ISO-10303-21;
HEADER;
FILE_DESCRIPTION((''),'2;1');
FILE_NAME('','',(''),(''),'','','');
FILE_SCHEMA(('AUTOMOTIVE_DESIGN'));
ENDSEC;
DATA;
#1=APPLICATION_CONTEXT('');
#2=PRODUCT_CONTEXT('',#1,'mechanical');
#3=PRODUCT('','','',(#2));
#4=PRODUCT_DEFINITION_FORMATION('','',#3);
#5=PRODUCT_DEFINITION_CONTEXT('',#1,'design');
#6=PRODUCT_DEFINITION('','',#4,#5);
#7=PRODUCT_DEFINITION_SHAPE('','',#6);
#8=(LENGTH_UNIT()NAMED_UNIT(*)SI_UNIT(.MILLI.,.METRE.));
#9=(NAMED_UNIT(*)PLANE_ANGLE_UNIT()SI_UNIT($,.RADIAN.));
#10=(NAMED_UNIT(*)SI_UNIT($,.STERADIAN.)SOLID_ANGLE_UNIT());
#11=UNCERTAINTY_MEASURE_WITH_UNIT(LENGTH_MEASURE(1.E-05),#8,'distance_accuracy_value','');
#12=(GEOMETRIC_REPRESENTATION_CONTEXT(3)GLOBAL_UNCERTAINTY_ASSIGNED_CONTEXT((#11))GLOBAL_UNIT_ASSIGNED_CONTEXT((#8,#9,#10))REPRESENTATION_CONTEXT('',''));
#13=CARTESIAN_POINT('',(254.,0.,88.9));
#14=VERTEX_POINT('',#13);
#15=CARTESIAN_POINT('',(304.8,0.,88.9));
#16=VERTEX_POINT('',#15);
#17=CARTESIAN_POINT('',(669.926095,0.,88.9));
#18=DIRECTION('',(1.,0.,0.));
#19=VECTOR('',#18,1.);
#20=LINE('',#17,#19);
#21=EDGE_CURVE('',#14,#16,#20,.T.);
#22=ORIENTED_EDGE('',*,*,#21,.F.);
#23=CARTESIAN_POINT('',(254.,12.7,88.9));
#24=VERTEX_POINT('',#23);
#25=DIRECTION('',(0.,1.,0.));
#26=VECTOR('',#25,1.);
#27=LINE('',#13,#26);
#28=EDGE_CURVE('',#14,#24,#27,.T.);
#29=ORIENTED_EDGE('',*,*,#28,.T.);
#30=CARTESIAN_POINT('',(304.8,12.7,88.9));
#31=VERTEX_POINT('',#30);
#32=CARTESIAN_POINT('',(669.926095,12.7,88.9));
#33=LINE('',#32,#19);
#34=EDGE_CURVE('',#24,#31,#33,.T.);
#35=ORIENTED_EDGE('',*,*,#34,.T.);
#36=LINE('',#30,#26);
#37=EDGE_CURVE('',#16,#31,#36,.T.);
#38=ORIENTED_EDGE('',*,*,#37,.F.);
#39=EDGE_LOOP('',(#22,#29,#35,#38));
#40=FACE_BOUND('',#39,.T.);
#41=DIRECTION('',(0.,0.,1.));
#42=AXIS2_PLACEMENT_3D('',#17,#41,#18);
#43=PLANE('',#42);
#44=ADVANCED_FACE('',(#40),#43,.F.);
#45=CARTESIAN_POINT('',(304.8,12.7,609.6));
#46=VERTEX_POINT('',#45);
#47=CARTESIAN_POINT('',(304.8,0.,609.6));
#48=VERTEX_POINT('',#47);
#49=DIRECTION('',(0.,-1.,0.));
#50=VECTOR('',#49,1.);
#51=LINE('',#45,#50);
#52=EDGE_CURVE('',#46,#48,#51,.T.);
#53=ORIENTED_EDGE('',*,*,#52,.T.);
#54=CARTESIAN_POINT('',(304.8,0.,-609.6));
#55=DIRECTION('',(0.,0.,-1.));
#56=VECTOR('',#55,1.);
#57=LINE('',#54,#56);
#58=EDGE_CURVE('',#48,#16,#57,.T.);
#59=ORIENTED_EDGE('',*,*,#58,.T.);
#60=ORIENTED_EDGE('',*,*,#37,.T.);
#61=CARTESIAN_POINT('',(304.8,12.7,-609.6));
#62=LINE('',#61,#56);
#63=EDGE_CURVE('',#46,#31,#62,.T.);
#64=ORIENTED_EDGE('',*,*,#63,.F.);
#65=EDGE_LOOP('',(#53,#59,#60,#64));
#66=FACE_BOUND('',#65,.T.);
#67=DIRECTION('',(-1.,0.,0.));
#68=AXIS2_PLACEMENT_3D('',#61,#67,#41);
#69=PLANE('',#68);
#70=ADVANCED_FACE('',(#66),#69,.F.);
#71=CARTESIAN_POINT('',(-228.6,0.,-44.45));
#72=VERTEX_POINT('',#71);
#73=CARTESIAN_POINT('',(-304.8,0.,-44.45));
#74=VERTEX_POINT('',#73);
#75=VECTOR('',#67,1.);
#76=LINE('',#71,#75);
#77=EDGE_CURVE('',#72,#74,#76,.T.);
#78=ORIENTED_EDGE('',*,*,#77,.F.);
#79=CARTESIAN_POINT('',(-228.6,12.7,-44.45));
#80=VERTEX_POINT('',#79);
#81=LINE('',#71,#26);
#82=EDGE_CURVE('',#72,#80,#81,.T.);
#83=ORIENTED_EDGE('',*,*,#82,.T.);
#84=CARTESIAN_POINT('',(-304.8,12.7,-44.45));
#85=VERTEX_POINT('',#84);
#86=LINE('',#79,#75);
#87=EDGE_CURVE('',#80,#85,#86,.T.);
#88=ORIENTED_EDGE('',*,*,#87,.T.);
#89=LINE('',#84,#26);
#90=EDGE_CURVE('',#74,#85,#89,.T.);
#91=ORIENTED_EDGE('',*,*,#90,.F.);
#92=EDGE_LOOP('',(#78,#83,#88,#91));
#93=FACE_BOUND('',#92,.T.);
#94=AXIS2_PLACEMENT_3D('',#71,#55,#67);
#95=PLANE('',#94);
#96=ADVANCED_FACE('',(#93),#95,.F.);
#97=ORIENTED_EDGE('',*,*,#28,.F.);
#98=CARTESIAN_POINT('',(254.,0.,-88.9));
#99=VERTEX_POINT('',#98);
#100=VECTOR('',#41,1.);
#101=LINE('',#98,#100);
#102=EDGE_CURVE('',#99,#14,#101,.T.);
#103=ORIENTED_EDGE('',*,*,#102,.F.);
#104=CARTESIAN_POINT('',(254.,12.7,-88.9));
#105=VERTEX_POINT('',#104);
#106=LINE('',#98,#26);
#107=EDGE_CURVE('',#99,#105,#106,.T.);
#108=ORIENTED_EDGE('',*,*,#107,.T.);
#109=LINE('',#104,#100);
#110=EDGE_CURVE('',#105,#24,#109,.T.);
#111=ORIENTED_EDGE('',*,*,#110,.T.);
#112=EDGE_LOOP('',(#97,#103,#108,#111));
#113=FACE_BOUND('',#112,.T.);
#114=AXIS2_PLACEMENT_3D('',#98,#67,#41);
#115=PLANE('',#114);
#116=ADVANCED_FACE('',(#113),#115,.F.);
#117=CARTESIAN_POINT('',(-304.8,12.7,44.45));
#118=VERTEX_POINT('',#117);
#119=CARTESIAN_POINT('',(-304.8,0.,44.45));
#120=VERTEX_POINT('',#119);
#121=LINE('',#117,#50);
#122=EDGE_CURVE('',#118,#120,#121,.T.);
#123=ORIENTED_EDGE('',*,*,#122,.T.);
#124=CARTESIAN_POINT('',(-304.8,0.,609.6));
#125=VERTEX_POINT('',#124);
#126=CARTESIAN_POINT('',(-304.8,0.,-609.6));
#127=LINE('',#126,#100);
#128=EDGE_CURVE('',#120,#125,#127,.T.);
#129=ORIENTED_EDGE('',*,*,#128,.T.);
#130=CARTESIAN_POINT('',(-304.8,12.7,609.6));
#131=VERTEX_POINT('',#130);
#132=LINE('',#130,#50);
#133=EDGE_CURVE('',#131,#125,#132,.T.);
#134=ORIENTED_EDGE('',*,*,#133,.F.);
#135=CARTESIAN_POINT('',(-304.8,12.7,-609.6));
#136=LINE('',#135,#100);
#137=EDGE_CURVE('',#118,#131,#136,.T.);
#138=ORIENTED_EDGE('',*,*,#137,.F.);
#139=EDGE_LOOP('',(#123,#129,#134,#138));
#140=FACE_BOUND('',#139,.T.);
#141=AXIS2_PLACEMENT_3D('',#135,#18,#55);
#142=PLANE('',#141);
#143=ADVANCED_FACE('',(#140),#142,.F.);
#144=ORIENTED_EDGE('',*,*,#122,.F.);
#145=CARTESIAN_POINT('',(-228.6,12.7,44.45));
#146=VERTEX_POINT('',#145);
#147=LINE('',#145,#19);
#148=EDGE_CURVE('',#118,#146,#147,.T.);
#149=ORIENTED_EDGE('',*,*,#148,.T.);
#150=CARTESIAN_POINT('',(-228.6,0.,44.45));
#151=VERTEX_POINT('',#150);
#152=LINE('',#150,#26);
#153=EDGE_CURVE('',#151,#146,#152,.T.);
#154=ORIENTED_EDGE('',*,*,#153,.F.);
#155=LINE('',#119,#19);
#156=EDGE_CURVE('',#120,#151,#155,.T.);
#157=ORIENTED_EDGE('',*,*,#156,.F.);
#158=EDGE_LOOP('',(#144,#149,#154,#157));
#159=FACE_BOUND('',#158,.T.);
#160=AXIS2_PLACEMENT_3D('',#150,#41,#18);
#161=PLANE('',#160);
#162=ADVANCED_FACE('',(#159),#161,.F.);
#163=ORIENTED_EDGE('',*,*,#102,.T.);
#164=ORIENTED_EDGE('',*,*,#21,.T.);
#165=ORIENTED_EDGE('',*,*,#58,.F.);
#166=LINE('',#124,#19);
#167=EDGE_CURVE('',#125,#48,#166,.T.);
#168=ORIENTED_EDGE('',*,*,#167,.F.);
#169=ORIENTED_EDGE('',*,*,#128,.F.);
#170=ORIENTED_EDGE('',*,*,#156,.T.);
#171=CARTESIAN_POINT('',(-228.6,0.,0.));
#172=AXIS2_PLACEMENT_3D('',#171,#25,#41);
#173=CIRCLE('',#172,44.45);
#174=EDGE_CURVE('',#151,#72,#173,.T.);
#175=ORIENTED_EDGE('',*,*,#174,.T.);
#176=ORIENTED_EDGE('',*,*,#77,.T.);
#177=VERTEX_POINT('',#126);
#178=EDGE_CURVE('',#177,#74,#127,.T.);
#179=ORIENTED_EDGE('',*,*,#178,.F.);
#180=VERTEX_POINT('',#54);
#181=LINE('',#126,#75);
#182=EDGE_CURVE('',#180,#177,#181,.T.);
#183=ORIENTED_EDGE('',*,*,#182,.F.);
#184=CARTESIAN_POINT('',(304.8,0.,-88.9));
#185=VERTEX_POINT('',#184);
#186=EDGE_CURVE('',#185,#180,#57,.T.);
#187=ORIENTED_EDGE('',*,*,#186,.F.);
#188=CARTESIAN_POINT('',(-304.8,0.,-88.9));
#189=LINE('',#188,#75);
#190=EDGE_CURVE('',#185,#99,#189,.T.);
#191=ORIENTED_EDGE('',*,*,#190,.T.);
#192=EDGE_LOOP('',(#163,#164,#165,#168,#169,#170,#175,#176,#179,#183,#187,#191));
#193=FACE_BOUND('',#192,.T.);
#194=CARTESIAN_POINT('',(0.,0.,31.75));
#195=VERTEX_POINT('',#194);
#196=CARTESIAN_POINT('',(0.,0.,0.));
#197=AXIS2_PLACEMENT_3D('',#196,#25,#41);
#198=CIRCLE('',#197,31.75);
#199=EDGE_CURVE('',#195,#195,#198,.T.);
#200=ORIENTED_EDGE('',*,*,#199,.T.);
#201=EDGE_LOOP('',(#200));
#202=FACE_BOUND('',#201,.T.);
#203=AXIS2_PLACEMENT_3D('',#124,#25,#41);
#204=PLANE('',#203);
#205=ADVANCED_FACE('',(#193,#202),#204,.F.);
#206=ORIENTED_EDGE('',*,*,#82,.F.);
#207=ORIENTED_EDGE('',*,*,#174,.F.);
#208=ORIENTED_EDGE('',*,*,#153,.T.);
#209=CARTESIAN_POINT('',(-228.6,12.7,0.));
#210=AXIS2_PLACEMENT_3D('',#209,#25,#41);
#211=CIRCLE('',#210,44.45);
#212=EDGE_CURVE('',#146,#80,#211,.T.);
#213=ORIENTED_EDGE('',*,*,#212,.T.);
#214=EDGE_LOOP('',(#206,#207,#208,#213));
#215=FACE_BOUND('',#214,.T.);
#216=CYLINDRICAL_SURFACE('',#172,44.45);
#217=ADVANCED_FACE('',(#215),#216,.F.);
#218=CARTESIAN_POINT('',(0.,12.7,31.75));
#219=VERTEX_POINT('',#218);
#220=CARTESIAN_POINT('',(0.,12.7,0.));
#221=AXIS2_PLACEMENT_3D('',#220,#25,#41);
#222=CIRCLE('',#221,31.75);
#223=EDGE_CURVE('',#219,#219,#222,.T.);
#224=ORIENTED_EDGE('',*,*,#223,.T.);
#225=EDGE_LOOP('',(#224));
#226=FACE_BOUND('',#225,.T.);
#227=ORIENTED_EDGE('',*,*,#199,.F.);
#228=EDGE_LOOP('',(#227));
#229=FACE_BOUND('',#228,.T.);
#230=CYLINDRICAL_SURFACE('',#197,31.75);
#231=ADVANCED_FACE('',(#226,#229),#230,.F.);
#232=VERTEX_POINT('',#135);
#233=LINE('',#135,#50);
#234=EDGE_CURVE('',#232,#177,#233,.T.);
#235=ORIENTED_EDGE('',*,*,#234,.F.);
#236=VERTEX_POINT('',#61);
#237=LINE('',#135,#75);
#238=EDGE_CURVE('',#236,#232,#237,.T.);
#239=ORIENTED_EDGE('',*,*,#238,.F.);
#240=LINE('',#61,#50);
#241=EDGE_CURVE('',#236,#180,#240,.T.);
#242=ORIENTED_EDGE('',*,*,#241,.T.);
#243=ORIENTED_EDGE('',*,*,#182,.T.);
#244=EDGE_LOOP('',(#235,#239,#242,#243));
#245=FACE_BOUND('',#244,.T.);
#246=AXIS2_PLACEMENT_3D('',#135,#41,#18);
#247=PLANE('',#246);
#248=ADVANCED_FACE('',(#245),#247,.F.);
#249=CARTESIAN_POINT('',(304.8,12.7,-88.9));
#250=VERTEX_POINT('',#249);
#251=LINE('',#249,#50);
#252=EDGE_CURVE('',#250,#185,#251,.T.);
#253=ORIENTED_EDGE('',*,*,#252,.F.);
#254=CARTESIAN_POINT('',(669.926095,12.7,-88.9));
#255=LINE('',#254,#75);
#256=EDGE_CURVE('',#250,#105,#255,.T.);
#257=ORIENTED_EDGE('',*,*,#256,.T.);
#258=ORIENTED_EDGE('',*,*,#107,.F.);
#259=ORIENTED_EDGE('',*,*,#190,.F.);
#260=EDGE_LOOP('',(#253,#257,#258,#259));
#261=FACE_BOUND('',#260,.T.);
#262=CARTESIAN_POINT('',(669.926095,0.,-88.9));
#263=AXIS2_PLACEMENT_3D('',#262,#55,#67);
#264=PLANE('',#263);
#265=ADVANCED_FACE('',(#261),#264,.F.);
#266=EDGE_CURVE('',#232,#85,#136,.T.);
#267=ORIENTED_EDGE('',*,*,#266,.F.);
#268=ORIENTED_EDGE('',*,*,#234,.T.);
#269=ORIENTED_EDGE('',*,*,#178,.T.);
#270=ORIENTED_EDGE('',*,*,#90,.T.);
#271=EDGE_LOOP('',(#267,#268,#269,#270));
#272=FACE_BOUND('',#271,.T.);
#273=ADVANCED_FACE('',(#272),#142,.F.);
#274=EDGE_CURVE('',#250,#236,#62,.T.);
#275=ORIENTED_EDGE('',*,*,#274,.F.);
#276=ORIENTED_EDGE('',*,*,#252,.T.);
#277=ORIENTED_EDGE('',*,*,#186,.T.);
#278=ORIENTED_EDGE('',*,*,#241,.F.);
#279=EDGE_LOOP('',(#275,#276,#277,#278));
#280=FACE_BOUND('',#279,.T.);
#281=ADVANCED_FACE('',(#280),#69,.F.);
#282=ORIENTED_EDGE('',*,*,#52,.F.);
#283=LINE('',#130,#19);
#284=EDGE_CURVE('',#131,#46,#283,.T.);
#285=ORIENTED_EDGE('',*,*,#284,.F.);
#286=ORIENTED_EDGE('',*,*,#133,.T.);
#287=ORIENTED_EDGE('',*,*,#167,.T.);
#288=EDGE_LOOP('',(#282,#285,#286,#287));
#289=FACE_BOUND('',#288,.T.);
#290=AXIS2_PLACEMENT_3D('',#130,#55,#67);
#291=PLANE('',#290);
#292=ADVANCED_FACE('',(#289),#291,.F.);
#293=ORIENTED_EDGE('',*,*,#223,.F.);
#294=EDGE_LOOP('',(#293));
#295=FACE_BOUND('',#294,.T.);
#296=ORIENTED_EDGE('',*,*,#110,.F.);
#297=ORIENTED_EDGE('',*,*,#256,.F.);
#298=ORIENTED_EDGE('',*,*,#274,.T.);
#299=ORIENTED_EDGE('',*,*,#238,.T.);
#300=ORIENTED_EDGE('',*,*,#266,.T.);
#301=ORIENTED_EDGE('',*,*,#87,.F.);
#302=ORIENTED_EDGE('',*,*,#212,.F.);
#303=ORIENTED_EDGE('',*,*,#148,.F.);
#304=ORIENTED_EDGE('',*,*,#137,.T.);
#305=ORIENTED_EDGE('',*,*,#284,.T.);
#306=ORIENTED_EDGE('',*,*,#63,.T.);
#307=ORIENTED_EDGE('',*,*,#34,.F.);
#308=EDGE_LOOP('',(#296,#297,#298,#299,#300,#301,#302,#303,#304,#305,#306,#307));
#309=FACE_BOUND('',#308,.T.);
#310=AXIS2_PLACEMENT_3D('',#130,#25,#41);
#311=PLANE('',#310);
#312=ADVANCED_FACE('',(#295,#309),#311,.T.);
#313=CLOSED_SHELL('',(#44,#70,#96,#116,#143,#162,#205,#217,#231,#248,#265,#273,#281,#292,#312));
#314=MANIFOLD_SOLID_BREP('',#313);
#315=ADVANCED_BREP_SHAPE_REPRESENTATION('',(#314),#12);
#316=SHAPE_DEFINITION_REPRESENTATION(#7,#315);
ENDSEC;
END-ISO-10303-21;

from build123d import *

# Parameters (mm, degrees)
SKETCH1_W           = 609.6
SKETCH1_H           = 1219.2
BOSS_EXTRUDE1_DEPTH = 12.7
SKETCH6_R           = 31.75
CUT_EXTRUDE3_DEPTH  = 682.671834536
SKETCH8_W           = 415.926094716
SKETCH8_H           = 177.8
CUT_EXTRUDE4_DEPTH  = 682.671834536
SKETCH10_W          = 180.418217341
SKETCH10_H          = 88.9
CUT_EXTRUDE7_DEPTH  = 682.671834536
SKETCH14_R          = 44.45
CUT_EXTRUDE8_DEPTH  = 682.671834536


with BuildPart() as part:
    # Sketch1 → Boss-Extrude1 (new body)
    with BuildSketch(Plane(origin=(0, 0, 0), x_dir=(1, 0, 0), z_dir=(0, 1, 0))):
        Rectangle(SKETCH1_W, SKETCH1_H)
    extrude(amount=BOSS_EXTRUDE1_DEPTH)

    # Sketch6 → Cut-Extrude3 (cut, through all)
    with BuildSketch(Plane(origin=(0, 12.7, 0), x_dir=(-1, 0, 0), z_dir=(0, 1, 0))):
        with Locations(Location((0, 0, 0), (0, 0, 90))):
            Circle(SKETCH6_R)
    extrude(amount=-CUT_EXTRUDE3_DEPTH, mode=Mode.SUBTRACT)

    # Sketch8 → Cut-Extrude4 (cut, through all)
    with BuildSketch(Plane(origin=(0, 12.7, 0), x_dir=(1, 0, 0), z_dir=(0, 1, 0))):
        with Locations((461.963047358, 0)):
            Rectangle(SKETCH8_W, SKETCH8_H)
    extrude(amount=-CUT_EXTRUDE4_DEPTH, mode=Mode.SUBTRACT)

    # Sketch10 → Cut-Extrude7 (cut, through all)
    with BuildSketch(Plane(origin=(0, 12.7, 0), x_dir=(1, 0, 0), z_dir=(0, 1, 0))):
        with Locations((-318.80910867, 0)):
            Rectangle(SKETCH10_W, SKETCH10_H)
    extrude(amount=-CUT_EXTRUDE7_DEPTH, mode=Mode.SUBTRACT)

    # Sketch14 → Cut-Extrude8 (cut, through all)
    with BuildSketch(Plane(origin=(0, 12.7, 0), x_dir=(1, 0, 0), z_dir=(0, 1, 0))):
        with Locations((-228.6, 0)):
            Circle(SKETCH14_R)
    extrude(amount=-CUT_EXTRUDE8_DEPTH, mode=Mode.SUBTRACT)


solid = part.part
